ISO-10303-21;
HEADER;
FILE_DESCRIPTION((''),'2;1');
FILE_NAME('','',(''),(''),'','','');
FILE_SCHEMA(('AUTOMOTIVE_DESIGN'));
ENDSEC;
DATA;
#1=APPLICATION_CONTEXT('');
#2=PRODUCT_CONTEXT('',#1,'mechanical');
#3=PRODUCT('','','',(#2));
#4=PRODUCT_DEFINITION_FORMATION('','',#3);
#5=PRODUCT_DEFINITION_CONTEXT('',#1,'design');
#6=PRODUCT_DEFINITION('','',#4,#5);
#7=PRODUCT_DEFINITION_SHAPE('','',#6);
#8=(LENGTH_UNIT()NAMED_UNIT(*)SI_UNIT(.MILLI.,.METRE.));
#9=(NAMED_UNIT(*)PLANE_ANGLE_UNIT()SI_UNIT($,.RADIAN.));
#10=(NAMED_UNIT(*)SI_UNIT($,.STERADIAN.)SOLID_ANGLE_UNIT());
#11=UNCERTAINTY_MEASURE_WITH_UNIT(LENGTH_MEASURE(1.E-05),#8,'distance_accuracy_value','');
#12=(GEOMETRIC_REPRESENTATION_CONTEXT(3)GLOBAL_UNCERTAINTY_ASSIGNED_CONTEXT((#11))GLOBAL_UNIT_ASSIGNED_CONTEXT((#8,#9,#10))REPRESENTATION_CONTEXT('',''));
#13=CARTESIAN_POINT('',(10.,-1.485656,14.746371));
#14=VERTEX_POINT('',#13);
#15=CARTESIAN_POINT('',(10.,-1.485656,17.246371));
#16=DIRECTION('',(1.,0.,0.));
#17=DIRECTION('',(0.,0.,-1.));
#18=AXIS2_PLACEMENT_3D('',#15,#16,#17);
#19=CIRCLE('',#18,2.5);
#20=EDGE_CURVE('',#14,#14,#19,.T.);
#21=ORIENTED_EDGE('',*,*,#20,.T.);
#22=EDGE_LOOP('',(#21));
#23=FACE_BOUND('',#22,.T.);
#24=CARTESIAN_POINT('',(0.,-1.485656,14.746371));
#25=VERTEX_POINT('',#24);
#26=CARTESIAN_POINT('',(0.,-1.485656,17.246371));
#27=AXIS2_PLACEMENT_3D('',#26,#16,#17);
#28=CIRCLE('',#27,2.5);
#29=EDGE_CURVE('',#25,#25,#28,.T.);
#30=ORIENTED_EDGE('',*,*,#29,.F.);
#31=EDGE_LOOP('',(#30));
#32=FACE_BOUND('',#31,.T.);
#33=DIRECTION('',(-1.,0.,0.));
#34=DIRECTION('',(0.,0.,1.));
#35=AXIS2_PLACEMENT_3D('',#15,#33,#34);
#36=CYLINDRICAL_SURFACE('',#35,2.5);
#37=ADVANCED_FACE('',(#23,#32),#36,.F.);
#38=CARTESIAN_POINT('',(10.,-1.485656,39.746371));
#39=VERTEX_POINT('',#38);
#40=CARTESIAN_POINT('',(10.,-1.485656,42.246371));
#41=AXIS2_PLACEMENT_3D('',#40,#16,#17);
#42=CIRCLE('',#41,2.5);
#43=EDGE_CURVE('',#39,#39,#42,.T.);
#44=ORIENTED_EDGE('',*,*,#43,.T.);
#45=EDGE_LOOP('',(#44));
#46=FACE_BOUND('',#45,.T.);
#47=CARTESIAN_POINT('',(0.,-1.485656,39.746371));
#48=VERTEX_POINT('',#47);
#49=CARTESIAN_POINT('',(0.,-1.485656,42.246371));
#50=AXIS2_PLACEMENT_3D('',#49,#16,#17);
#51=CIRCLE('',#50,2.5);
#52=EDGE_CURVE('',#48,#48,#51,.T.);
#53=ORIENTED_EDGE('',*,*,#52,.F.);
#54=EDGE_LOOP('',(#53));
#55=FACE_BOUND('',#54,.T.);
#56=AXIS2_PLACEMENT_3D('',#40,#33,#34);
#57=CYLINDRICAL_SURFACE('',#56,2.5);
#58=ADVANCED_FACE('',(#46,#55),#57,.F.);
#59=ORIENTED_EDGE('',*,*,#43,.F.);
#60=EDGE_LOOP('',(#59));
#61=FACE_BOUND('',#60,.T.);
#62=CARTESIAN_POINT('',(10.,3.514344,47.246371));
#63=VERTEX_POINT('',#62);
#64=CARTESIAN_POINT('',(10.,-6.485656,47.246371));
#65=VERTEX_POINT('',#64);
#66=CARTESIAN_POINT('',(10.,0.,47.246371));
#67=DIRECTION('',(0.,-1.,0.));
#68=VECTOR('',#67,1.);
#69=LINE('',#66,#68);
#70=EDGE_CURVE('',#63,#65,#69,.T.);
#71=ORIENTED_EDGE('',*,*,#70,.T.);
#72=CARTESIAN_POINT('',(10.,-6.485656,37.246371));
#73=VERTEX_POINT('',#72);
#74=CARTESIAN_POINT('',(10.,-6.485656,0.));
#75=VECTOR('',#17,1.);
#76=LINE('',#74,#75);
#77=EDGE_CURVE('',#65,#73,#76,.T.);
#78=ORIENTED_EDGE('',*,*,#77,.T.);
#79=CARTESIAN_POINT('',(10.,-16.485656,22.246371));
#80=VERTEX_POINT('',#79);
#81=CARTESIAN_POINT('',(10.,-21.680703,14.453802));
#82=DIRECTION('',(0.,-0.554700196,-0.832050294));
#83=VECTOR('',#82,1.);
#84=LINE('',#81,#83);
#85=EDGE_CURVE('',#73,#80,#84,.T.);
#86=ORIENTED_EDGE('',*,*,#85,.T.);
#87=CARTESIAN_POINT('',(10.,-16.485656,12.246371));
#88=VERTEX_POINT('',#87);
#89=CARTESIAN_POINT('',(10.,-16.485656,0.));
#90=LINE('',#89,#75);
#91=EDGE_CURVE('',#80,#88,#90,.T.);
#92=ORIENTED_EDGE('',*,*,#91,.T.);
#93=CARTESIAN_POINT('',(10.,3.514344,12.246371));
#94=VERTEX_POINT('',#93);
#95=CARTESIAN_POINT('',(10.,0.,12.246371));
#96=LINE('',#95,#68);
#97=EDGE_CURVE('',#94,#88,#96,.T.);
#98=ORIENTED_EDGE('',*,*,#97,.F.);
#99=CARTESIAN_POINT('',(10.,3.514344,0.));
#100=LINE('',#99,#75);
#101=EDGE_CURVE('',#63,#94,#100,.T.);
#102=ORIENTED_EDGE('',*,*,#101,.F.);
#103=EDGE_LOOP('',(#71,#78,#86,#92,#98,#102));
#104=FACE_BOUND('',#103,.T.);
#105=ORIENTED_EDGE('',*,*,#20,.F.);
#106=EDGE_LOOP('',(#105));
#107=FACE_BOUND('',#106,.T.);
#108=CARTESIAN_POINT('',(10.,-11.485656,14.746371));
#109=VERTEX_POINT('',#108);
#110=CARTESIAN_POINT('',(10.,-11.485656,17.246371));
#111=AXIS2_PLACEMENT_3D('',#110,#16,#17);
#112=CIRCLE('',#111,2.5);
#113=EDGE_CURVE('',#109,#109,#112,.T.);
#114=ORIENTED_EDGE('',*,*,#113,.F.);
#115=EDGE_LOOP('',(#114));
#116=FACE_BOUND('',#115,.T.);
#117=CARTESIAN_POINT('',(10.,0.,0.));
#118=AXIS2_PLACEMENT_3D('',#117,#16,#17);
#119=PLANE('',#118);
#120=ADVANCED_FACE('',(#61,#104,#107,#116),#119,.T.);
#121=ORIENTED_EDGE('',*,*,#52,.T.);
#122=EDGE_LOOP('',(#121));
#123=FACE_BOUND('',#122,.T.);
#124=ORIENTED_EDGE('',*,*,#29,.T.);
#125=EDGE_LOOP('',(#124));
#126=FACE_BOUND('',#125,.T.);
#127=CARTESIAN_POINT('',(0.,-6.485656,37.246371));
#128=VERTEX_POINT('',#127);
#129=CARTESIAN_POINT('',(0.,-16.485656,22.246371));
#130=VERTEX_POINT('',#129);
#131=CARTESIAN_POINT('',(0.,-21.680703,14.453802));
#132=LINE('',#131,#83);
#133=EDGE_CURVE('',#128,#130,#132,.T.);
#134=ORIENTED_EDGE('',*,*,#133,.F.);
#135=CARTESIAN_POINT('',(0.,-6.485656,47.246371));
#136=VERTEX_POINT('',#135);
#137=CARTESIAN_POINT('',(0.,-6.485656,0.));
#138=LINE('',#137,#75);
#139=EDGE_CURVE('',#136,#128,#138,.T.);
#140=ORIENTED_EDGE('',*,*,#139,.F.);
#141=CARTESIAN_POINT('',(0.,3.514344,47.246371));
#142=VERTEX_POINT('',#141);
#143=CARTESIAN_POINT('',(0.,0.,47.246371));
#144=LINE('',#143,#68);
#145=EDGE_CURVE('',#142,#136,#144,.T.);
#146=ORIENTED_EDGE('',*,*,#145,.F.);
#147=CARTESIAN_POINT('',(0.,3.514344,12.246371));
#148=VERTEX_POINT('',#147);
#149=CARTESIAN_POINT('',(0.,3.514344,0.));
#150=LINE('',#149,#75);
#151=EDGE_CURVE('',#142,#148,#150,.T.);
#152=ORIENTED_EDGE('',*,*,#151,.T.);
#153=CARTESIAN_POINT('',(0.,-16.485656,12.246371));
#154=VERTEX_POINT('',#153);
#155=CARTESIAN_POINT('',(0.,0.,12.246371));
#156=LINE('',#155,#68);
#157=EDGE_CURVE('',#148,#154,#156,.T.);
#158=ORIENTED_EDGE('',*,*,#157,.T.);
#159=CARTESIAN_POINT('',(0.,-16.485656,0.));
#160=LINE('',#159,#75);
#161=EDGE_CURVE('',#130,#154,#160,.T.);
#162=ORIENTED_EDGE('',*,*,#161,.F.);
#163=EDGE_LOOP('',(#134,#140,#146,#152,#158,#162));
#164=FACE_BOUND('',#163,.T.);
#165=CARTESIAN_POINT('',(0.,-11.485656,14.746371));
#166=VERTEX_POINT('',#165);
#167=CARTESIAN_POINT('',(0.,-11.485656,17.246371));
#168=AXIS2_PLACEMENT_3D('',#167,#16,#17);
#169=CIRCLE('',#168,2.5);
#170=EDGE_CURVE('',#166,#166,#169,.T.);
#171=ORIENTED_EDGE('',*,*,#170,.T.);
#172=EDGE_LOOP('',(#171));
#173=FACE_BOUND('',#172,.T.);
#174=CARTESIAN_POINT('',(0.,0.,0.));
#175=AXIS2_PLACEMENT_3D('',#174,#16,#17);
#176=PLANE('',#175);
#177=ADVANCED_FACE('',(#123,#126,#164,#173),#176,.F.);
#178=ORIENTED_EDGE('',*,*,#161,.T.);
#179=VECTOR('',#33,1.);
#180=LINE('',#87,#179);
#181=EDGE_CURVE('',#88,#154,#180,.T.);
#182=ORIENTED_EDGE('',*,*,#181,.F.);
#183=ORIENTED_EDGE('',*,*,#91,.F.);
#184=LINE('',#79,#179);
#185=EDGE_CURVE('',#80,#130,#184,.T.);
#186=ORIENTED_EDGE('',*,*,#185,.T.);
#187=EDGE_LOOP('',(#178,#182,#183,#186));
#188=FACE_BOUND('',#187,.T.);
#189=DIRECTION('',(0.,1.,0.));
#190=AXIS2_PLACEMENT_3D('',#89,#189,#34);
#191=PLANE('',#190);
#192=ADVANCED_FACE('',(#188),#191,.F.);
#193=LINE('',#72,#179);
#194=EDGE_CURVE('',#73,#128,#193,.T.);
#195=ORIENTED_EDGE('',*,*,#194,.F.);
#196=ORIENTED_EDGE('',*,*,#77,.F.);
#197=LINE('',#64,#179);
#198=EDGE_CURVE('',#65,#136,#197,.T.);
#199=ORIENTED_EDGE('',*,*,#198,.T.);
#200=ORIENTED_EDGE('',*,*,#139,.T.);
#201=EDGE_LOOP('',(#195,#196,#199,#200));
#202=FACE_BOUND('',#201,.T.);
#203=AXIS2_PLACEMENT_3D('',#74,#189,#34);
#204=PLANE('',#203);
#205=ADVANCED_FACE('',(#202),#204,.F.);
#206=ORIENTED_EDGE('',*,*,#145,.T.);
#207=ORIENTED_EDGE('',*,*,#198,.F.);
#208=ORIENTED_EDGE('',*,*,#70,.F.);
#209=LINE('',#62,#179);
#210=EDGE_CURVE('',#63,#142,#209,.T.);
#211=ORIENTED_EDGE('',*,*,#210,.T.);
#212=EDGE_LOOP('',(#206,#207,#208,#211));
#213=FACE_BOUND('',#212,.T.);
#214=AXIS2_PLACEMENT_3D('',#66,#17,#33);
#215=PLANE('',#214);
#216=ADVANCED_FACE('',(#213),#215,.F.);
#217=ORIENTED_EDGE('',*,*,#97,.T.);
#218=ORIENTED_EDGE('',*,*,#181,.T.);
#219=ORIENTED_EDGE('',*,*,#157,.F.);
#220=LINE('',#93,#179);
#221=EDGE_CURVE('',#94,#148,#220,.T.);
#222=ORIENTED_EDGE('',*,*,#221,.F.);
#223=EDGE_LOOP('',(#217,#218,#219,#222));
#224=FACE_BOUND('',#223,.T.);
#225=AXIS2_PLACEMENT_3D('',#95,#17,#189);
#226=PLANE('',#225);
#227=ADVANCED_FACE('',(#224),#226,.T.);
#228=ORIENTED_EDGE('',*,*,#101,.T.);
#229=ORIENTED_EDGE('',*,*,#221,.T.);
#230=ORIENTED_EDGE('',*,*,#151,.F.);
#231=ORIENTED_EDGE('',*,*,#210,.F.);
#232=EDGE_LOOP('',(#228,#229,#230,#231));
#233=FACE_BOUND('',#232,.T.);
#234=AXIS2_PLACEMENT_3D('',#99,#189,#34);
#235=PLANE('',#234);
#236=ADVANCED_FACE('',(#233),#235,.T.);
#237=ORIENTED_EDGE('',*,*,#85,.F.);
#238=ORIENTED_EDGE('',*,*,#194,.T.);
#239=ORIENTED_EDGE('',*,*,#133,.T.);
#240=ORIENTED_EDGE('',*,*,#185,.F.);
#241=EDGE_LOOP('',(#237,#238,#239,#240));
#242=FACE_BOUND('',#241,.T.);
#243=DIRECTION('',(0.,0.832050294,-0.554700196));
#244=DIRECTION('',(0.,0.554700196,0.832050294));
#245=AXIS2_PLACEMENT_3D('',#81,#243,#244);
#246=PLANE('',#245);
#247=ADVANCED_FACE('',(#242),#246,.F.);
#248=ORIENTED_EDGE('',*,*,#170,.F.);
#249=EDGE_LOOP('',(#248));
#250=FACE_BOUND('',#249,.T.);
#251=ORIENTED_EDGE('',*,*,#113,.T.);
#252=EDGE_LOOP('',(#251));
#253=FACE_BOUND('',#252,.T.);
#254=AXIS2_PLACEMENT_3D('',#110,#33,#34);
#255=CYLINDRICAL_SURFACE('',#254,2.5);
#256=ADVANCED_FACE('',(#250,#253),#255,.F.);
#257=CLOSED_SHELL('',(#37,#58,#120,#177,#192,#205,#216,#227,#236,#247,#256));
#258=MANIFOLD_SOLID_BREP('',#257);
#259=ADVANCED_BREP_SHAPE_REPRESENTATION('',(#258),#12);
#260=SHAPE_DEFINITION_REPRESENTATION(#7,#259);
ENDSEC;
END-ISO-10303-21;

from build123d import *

# Parameters (mm, degrees)
ESQUISSE2_W        = 10
ESQUISSE2_H        = 10
ESQUISSE2_R        = 2.5
ESQUISSE2_H_2      = 20
BOSS_EXTRU_3_DEPTH = 10


with BuildPart() as part:
    # Esquisse2 → Boss.-Extru.3 (new body)
    # profile 1 of 3: a face of its own
    with BuildSketch(Plane(origin=(0, 0, 0), x_dir=(0, 0, -1), z_dir=(1, 0, 0))):
        Polygon((-22.246371136, 3.5143436), (-37.246371136, 3.5143436), (-37.246371136, -6.4856564), (-22.246371136, -16.4856564), align=None)
    # profile 2 of 3: a face of its own
    with BuildSketch(Plane(origin=(0, 0, 0), x_dir=(0, 0, -1), z_dir=(1, 0, 0))):
        with Locations((-42.246371136, -1.4856564)):
            Rectangle(ESQUISSE2_W, ESQUISSE2_H)
        with Locations((-42.246371136, -1.4856564)):
            Circle(ESQUISSE2_R, mode=Mode.SUBTRACT)
    # profile 3 of 3: a face of its own
    with BuildSketch(Plane(origin=(0, 0, 0), x_dir=(0, 0, -1), z_dir=(1, 0, 0))):
        with Locations((-17.246371136, -6.4856564)):
            Rectangle(ESQUISSE2_W, ESQUISSE2_H_2)
        with Locations((-17.246371136, -11.4856564)):
            Circle(ESQUISSE2_R, mode=Mode.SUBTRACT)
        with Locations((-17.246371136, -1.4856564)):
            Circle(ESQUISSE2_R, mode=Mode.SUBTRACT)
    extrude(amount=BOSS_EXTRU_3_DEPTH)


solid = part.part
